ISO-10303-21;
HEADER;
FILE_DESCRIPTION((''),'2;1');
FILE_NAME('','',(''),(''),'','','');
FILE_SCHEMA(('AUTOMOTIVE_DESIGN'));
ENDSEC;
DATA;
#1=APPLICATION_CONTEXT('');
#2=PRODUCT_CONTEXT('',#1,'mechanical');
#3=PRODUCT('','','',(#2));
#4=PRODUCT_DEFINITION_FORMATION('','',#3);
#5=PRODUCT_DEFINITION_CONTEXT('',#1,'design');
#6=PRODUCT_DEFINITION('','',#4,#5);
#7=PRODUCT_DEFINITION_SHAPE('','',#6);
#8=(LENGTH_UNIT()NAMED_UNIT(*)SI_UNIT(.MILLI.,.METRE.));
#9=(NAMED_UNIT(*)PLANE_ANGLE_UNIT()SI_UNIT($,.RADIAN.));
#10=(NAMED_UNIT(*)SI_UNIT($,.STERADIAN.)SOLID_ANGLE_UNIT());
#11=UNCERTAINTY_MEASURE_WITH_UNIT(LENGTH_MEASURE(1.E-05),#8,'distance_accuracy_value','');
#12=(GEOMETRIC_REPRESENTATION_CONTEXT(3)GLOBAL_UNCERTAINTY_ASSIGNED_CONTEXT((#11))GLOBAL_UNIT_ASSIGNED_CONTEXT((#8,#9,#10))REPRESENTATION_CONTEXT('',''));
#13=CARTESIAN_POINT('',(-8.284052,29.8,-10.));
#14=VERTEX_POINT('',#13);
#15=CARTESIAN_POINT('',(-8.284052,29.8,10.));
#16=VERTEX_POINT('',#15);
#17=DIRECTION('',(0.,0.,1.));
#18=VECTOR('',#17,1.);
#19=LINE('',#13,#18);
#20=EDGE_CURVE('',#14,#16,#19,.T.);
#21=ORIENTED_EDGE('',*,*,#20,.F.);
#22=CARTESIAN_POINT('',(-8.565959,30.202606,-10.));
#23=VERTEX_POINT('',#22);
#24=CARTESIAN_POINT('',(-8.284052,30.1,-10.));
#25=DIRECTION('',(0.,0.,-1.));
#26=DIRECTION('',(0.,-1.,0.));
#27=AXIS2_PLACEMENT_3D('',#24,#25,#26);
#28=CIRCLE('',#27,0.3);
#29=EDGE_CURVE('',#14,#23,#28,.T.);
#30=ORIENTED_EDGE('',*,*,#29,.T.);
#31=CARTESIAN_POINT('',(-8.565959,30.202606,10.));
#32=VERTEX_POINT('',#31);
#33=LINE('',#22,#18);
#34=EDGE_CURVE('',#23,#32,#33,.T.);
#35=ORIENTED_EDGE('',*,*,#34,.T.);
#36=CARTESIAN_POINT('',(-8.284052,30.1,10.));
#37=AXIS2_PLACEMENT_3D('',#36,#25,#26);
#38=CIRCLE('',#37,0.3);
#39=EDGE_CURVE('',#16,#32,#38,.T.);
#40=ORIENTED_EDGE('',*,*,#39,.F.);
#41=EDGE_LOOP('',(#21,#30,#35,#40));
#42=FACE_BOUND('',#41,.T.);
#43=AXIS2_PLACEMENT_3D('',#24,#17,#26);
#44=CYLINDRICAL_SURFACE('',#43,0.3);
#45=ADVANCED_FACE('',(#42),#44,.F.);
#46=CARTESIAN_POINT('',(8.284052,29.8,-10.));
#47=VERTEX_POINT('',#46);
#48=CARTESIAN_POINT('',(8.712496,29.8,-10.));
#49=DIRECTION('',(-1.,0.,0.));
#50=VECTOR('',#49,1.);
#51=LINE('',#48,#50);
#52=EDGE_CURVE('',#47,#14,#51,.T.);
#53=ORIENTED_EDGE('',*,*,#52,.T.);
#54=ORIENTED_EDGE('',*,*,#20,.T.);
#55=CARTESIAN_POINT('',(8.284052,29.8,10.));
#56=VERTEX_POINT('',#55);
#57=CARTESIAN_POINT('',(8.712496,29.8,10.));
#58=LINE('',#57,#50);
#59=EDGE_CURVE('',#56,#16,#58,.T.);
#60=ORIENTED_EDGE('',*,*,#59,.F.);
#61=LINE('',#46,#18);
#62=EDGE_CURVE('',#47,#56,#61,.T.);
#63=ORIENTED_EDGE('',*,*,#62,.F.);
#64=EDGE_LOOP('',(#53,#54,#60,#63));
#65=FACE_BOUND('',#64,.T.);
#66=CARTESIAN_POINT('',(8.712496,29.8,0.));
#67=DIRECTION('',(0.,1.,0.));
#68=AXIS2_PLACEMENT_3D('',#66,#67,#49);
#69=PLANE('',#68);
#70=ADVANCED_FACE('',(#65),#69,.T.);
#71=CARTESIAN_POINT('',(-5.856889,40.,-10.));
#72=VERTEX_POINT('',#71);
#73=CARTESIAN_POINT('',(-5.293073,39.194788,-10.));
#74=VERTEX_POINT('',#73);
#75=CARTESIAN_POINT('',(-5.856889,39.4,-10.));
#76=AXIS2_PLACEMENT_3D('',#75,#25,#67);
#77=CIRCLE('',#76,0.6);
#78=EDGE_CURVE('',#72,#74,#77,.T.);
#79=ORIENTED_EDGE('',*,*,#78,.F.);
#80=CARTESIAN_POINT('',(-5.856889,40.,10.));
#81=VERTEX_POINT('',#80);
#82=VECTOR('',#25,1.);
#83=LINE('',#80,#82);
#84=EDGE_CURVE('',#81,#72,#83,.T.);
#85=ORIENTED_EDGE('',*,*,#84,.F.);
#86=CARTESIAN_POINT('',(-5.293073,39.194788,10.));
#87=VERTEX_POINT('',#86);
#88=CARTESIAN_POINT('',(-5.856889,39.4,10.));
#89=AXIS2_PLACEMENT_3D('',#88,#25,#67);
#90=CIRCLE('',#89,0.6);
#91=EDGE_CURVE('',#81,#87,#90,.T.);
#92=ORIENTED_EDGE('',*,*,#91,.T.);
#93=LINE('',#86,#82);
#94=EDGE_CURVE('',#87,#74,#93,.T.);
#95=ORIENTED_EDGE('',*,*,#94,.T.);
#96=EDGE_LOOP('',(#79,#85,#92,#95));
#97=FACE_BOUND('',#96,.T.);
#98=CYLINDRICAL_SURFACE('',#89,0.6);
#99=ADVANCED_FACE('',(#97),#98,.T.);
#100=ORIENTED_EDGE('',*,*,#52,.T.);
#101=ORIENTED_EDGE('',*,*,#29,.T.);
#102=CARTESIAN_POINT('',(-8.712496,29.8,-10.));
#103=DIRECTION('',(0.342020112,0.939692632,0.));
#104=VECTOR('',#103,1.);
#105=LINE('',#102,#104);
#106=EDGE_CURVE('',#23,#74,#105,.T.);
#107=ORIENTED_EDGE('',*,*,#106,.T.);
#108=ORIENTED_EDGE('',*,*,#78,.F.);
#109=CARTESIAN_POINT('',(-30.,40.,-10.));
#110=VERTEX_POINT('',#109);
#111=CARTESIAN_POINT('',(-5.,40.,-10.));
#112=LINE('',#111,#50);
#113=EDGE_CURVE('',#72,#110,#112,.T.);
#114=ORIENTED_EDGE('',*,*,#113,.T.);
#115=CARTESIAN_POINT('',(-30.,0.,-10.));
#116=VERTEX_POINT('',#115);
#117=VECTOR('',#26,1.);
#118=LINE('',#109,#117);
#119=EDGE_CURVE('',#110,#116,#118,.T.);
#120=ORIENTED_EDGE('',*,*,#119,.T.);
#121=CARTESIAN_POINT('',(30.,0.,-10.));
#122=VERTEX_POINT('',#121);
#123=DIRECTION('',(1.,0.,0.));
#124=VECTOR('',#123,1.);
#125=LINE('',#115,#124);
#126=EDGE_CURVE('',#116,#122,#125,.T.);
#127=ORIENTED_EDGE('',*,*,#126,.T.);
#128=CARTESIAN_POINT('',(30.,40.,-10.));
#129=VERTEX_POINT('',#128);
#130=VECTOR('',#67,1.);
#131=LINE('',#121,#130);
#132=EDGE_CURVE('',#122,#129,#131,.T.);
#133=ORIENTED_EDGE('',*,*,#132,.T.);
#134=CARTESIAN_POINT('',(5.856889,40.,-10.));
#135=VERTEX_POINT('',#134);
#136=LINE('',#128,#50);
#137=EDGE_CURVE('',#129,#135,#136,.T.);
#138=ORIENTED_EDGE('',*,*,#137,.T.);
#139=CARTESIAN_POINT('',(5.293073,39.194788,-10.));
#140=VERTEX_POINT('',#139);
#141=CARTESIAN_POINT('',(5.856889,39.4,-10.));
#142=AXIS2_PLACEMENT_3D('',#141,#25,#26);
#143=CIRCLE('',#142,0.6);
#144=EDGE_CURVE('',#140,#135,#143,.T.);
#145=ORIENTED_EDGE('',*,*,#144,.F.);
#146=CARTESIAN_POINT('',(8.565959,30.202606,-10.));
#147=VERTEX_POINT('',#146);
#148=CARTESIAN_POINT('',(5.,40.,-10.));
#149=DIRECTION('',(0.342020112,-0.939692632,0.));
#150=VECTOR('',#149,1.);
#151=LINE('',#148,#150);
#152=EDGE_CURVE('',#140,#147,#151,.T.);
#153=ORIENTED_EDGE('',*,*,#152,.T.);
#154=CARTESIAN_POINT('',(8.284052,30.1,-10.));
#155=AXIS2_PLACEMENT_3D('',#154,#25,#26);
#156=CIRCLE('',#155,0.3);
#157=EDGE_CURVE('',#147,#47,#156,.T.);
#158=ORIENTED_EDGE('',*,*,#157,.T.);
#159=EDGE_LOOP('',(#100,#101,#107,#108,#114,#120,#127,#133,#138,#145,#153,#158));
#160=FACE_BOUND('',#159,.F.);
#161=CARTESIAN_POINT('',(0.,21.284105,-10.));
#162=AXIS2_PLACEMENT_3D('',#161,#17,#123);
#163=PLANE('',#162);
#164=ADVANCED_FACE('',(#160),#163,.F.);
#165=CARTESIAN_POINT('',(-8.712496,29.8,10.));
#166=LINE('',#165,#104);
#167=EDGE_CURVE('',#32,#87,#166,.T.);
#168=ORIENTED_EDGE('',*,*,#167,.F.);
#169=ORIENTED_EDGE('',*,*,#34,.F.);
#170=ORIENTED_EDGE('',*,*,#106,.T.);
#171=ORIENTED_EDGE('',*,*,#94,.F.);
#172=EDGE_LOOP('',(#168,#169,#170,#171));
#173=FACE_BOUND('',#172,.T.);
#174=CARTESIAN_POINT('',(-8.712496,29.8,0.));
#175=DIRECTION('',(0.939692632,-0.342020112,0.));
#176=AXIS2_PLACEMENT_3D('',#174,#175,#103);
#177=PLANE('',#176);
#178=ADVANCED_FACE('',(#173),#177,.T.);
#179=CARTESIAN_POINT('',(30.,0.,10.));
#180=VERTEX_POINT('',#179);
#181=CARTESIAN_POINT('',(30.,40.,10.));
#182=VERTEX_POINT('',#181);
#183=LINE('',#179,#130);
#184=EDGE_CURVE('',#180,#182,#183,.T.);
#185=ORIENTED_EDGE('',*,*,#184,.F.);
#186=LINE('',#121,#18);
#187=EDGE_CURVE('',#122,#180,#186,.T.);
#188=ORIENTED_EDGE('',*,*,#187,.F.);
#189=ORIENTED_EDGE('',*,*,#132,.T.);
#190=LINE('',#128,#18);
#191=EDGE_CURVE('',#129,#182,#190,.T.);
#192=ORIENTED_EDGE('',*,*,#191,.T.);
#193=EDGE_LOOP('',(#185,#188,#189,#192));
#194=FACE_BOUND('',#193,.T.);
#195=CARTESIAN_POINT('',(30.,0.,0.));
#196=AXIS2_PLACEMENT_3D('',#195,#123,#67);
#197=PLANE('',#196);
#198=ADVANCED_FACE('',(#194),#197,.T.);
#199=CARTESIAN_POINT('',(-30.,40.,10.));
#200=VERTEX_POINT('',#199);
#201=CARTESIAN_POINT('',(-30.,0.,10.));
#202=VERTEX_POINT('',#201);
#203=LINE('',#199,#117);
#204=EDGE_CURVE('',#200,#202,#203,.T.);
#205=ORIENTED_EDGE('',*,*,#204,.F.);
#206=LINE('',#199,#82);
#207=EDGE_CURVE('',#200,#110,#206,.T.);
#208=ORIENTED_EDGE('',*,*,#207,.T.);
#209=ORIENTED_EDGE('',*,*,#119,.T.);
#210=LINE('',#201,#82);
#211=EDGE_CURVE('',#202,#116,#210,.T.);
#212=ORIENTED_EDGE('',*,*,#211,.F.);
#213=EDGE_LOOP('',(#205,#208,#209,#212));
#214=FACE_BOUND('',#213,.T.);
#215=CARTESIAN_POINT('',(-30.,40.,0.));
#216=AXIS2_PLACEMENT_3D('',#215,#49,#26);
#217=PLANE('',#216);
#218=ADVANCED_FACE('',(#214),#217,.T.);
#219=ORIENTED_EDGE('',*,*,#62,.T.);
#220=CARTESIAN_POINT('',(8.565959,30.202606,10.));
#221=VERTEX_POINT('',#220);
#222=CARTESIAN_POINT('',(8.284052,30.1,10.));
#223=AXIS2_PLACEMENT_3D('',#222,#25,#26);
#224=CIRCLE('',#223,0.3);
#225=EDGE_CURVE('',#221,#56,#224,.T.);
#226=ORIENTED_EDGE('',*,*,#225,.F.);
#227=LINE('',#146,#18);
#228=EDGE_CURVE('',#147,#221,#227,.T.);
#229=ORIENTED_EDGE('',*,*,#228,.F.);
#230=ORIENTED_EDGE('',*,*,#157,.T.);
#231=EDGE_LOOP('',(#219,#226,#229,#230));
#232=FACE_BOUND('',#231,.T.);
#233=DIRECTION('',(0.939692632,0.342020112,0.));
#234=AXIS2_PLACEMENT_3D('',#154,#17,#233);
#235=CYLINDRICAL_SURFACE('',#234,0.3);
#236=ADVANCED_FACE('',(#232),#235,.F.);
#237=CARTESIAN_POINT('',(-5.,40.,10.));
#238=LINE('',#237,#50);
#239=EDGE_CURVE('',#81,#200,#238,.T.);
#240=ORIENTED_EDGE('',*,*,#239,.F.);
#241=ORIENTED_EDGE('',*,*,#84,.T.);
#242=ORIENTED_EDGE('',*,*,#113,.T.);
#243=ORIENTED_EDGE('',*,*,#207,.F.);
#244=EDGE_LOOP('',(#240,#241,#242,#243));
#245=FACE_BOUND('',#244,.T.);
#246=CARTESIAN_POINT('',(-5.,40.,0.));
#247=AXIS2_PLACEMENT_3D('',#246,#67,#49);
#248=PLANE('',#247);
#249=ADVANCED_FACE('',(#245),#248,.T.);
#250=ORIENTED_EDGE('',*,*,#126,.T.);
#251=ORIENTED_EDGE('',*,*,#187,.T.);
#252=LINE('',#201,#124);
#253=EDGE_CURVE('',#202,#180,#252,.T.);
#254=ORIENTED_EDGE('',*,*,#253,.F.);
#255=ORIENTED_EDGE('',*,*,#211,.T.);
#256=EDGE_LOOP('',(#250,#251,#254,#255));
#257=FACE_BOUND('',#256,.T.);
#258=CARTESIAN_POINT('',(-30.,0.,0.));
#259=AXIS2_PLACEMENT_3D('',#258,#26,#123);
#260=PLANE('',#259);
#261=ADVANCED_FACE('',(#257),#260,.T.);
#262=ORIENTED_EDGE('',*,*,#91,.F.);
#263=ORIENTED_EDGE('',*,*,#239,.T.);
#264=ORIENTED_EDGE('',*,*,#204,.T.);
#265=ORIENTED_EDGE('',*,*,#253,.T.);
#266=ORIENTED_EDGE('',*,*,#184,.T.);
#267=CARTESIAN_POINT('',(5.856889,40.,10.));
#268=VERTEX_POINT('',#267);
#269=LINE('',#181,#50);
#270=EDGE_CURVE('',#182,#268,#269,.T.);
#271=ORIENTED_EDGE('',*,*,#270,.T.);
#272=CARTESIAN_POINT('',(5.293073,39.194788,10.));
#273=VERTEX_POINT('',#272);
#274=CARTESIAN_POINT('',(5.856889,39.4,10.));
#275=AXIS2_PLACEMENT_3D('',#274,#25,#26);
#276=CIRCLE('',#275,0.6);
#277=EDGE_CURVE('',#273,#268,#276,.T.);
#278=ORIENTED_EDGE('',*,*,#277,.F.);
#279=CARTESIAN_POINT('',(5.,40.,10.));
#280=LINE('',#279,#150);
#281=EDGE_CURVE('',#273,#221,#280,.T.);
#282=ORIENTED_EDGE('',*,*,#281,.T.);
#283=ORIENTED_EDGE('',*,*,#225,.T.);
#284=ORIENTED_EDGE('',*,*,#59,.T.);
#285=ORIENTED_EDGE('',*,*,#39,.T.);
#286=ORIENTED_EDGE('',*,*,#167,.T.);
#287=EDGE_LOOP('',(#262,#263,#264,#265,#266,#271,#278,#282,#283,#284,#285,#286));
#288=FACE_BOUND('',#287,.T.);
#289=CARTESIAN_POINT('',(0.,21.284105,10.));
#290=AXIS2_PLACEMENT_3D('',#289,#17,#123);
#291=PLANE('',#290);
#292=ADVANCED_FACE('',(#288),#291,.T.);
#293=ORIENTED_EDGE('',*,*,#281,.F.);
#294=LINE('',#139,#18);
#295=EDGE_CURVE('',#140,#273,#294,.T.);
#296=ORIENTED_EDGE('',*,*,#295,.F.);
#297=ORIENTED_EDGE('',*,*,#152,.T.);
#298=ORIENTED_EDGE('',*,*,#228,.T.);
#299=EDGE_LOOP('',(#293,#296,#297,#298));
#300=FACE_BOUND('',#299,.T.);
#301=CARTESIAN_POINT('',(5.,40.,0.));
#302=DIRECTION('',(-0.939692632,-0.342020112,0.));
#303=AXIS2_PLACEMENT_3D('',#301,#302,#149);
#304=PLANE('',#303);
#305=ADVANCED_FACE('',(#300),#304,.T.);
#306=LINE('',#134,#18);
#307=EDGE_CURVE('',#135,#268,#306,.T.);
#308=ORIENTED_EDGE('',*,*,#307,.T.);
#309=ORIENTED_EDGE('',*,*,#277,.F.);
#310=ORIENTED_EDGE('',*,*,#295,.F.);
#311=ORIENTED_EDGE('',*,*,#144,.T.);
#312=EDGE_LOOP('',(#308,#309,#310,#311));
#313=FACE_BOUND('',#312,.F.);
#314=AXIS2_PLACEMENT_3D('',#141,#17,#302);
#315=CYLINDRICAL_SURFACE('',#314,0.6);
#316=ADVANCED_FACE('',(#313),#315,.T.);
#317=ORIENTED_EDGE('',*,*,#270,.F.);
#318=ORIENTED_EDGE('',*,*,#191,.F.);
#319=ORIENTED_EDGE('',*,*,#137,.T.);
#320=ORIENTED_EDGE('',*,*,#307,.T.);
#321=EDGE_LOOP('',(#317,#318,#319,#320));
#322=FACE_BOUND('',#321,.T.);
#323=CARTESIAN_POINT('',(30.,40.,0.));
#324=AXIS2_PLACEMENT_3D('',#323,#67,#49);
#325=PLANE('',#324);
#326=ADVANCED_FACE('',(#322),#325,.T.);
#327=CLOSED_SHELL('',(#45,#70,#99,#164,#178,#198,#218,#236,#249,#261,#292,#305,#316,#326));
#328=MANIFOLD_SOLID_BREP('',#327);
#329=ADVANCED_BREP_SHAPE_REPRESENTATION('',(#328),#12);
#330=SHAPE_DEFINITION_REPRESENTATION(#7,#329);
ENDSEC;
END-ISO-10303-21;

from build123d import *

# Parameters (mm, degrees)
F1_DEPTH = 10
F2_R     = 0.6
F3_R     = 0.3


with BuildPart() as f1:
    # F0 (on Top) → F1 (new body, symmetric)
    with BuildSketch(Plane.XY):
        Polygon((-30, 0), (0, 0), (30, 0), (30, 40), (5, 40), (8.712496, 29.8), (0, 29.8), (-8.712496, 29.8), (-5, 40), (-30, 40), align=None)
    extrude(amount=F1_DEPTH, both=True)

    # F2
    f2_edges = [f1.edges().sort_by_distance(p)[0] for p in [
        (-5, 40, 0),
        (5, 40, 0),
    ]]
    fillet(f2_edges, radius=F2_R)

    # F3
    f3_edges = [f1.edges().sort_by_distance(p)[0] for p in [
        (-8.712496, 29.8, 0),
        (8.712496, 29.8, 0),
    ]]
    fillet(f3_edges, radius=F3_R)


solid = f1.part
